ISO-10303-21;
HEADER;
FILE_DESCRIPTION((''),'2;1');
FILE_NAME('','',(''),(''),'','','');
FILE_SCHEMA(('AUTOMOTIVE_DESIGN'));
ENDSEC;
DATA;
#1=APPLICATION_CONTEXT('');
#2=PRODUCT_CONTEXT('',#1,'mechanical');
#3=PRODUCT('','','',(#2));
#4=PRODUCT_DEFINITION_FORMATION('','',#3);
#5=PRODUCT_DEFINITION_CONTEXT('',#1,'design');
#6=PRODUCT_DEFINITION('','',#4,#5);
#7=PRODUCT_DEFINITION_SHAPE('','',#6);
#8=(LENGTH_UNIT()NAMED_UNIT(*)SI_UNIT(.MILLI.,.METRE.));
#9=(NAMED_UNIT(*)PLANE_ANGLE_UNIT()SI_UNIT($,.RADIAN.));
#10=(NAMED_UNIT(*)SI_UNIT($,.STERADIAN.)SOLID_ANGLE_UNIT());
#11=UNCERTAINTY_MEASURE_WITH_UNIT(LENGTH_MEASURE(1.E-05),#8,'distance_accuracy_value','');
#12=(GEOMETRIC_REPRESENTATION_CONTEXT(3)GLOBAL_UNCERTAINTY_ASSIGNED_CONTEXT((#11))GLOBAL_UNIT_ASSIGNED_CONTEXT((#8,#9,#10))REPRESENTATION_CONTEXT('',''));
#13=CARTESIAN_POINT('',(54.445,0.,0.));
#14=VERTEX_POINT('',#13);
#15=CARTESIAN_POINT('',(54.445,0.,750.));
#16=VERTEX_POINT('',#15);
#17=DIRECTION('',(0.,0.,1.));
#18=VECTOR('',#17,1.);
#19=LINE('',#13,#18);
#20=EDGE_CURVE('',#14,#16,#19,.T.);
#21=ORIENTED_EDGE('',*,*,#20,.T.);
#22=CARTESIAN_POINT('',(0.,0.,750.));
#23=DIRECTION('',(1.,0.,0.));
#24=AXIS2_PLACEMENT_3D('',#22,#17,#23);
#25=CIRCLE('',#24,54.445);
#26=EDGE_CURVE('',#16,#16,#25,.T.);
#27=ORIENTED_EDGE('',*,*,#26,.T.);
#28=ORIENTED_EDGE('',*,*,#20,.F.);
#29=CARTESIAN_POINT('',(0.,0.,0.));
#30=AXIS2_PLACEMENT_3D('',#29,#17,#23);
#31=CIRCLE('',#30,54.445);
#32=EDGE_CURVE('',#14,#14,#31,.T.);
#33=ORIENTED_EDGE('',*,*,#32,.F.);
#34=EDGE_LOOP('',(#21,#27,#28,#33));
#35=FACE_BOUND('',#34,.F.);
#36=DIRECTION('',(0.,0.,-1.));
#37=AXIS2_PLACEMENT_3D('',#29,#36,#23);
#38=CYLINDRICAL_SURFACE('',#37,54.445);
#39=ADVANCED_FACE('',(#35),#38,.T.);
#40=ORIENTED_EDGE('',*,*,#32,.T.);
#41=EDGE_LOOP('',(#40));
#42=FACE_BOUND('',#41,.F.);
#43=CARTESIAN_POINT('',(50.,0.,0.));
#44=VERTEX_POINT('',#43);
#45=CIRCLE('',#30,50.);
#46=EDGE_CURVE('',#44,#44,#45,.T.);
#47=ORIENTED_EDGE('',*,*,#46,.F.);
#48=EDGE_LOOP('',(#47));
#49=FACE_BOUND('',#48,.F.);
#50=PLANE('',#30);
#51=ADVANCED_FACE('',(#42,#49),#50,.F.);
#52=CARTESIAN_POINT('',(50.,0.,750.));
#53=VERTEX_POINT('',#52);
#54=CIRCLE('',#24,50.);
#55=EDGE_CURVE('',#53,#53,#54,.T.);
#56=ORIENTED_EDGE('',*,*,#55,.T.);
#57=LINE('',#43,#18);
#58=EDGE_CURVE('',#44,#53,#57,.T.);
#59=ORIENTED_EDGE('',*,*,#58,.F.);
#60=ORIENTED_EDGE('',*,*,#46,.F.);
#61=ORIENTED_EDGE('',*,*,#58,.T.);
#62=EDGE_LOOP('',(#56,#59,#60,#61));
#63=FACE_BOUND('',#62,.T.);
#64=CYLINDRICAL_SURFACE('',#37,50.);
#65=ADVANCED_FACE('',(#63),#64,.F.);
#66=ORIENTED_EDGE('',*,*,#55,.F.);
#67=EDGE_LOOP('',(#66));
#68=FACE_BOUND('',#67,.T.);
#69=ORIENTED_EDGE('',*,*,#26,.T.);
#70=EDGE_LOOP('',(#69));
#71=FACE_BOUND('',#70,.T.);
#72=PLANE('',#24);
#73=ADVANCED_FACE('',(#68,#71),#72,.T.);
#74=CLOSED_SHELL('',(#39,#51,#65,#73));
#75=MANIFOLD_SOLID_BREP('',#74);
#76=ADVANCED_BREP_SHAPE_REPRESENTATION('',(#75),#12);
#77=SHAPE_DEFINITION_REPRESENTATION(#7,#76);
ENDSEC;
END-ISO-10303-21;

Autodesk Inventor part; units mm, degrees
ref_plane "YZ Plane" through (0, 0, 0) normal (1, 0, 0) x (0, 1, 0)
ref_plane "XZ Plane" through (0, 0, 0) normal (0, 1, 0) x (-1, 0, 0)
ref_plane "XY Plane" through (0, 0, 0) normal (0, 0, 1) x (1, 0, 0)
sketch "Sketch1" plane through (0, 0, 0) normal (0, 0, 1) x (1, 0, 0)
  circle A0 centre (0, 0) radius 50
  circle A1 centre (0, 0) radius 54.445
  dimension "d0" = 100
  dimension "d1" = 4.445
extrude "Extrusion1" add sketch "Sketch1" along normal blind 750
properties part number "pipe1.5m"
